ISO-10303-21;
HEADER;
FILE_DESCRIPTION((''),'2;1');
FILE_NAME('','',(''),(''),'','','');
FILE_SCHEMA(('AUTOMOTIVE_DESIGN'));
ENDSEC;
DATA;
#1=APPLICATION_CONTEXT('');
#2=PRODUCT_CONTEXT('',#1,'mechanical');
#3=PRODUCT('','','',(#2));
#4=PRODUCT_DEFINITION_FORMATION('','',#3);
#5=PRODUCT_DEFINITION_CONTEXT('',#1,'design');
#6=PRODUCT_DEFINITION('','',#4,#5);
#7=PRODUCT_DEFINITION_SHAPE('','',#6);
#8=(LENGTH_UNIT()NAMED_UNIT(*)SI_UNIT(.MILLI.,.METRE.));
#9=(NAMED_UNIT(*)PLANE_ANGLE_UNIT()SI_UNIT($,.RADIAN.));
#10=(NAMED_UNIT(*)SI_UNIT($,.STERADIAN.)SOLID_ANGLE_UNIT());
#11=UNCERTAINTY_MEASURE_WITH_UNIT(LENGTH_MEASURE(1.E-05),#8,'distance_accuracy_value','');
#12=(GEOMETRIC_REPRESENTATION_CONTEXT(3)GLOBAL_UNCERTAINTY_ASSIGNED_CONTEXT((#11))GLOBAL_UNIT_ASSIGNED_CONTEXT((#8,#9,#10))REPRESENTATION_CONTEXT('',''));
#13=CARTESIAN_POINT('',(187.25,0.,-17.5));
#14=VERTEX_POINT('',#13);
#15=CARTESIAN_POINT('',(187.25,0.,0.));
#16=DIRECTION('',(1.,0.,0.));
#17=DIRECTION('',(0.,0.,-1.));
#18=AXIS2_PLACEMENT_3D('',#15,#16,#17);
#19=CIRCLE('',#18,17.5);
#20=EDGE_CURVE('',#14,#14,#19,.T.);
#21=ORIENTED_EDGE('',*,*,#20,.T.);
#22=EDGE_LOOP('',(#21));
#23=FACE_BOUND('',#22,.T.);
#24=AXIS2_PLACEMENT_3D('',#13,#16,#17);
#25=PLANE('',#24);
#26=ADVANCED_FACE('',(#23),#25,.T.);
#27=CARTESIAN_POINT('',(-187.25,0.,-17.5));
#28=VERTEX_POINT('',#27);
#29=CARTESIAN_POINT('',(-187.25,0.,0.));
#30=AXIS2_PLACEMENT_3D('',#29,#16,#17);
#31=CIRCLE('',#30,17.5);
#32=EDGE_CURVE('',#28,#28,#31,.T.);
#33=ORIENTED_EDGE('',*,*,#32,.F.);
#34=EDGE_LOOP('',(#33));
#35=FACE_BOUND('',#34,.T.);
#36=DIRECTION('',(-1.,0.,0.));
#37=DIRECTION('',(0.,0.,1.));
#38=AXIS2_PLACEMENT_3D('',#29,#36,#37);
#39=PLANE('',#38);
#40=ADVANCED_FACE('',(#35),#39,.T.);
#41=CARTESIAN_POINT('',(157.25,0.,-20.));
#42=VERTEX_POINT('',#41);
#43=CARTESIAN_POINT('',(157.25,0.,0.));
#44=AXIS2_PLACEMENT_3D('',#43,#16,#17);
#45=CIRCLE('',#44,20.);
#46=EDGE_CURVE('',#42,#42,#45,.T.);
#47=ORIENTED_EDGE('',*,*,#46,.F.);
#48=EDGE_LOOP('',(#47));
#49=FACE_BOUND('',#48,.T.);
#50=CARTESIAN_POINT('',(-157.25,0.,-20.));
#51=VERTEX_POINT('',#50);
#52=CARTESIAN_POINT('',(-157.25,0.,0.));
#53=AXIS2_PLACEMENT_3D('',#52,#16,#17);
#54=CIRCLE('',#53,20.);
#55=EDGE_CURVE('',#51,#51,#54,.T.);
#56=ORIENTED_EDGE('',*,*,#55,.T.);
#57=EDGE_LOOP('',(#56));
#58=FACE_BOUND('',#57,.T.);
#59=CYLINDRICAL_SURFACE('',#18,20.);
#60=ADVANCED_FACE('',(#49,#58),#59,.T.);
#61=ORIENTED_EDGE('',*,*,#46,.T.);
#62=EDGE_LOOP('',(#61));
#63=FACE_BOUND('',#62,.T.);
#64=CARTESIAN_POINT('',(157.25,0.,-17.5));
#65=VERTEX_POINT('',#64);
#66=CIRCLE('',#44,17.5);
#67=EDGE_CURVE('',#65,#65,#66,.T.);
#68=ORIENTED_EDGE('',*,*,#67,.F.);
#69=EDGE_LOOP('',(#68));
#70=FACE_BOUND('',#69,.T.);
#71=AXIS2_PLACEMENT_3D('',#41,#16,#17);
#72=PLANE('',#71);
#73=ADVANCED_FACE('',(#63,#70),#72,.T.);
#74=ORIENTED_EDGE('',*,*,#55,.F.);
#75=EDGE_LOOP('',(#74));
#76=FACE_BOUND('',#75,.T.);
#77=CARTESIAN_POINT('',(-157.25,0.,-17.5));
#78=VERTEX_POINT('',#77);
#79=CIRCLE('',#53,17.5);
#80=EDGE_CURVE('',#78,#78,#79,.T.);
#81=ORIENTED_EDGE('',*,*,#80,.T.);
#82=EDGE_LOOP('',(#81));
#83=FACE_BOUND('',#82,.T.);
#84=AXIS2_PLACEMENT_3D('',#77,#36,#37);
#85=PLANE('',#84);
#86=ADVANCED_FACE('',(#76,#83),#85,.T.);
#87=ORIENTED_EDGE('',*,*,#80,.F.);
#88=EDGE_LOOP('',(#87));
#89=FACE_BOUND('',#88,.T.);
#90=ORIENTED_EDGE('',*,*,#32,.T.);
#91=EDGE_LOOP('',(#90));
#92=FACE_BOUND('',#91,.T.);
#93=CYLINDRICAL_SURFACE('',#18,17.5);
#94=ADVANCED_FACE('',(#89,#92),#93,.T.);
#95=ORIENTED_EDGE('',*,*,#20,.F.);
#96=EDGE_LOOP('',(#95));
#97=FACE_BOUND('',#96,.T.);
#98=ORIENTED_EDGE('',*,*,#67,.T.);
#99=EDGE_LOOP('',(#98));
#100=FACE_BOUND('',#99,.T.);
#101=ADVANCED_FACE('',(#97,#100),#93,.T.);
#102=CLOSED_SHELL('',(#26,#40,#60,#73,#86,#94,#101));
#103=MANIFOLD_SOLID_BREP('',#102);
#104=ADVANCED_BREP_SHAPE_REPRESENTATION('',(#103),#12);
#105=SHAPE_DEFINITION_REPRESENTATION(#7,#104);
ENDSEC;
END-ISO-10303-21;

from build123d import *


with BuildPart() as part:
    # Sketch1 → Revolve1 (revolve)
    with BuildSketch(Plane(origin=(0, 0, 0), x_dir=(1, 0, 0), z_dir=(0, 1, 0))):
        Polygon((-187.25, 0), (-187.25, 17.5), (-157.25, 17.5), (-157.25, 20), (157.25, 20), (157.25, 17.5), (187.25, 17.5), (187.25, 0), align=None)
    revolve(axis=Axis((187.25, 0, 0), (-1, 0, 0)))


solid = part.part
